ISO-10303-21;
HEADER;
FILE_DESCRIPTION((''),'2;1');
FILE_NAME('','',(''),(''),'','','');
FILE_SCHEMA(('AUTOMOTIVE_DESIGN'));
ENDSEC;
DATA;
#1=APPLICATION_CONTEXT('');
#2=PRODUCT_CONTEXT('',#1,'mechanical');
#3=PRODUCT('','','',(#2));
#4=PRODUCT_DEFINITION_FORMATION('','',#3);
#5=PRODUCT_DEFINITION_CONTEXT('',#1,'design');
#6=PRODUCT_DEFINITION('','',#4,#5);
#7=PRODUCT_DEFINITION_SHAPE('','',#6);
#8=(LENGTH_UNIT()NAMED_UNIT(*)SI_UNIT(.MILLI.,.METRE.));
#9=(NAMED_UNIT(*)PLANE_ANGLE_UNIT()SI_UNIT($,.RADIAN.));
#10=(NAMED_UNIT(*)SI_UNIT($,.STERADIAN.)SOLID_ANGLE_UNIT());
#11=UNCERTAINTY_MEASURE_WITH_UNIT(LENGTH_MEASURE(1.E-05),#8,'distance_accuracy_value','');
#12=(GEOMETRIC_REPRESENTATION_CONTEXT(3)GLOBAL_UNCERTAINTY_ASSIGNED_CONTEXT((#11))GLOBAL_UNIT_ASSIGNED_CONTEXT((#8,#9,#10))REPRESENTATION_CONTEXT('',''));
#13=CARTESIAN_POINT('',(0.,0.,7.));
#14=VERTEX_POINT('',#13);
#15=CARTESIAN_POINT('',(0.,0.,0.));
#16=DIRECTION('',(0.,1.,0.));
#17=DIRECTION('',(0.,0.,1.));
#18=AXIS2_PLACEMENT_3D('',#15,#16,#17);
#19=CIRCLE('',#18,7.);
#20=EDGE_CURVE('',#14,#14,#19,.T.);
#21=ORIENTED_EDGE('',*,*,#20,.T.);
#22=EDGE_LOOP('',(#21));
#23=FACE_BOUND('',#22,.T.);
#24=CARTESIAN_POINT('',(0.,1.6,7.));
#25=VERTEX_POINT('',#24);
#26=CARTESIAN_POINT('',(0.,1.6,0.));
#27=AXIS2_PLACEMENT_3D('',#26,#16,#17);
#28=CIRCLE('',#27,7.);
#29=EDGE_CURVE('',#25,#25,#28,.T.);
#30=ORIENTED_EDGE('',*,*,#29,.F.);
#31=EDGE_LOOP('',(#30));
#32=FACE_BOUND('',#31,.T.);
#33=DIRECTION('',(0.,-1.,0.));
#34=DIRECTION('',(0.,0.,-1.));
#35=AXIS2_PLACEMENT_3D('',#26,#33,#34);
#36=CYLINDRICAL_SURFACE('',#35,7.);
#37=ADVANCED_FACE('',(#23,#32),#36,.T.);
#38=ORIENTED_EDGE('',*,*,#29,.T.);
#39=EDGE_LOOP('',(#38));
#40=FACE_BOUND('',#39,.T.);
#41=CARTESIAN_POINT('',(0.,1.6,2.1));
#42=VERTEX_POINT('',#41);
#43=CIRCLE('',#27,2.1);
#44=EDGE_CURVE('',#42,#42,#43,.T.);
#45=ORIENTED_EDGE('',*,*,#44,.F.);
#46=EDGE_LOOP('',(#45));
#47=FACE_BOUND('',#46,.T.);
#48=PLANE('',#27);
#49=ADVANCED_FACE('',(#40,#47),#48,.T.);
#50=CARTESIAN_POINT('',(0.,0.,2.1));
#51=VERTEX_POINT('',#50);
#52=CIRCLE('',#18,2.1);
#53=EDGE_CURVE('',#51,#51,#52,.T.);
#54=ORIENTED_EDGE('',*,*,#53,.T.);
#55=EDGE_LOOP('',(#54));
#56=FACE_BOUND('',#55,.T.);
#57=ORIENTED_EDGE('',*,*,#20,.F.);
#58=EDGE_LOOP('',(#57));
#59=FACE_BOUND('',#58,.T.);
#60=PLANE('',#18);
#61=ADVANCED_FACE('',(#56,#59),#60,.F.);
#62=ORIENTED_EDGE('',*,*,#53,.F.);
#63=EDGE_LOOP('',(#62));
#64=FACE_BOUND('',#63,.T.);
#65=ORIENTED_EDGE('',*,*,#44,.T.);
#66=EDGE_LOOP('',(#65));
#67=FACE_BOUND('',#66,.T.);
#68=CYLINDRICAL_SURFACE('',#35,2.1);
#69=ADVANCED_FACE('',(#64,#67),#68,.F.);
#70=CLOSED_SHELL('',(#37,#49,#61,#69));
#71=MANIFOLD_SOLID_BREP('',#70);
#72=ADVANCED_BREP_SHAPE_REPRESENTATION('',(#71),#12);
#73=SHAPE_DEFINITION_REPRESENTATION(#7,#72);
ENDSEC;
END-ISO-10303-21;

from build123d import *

# Parameters (mm, degrees)
SKETCH_2_R      = 7
SKETCH_2_R_2    = 2.1
EXTRUDE_2_DEPTH = 1.6


with BuildPart() as part:
    # ｽｹｯﾁ2 → ﾎﾞｽ - 押し出し2 (new body)
    with BuildSketch(Plane(origin=(0, 0, 0), x_dir=(-1, 0, 0), z_dir=(0, 1, 0))):
        with Locations(Location((0, 0, 0), (0, 0, 90))):
            Circle(SKETCH_2_R)
        with Locations(Location((0, 0, 0), (0, 0, 90))):
            Circle(SKETCH_2_R_2, mode=Mode.SUBTRACT)
    extrude(amount=EXTRUDE_2_DEPTH)


solid = part.part
